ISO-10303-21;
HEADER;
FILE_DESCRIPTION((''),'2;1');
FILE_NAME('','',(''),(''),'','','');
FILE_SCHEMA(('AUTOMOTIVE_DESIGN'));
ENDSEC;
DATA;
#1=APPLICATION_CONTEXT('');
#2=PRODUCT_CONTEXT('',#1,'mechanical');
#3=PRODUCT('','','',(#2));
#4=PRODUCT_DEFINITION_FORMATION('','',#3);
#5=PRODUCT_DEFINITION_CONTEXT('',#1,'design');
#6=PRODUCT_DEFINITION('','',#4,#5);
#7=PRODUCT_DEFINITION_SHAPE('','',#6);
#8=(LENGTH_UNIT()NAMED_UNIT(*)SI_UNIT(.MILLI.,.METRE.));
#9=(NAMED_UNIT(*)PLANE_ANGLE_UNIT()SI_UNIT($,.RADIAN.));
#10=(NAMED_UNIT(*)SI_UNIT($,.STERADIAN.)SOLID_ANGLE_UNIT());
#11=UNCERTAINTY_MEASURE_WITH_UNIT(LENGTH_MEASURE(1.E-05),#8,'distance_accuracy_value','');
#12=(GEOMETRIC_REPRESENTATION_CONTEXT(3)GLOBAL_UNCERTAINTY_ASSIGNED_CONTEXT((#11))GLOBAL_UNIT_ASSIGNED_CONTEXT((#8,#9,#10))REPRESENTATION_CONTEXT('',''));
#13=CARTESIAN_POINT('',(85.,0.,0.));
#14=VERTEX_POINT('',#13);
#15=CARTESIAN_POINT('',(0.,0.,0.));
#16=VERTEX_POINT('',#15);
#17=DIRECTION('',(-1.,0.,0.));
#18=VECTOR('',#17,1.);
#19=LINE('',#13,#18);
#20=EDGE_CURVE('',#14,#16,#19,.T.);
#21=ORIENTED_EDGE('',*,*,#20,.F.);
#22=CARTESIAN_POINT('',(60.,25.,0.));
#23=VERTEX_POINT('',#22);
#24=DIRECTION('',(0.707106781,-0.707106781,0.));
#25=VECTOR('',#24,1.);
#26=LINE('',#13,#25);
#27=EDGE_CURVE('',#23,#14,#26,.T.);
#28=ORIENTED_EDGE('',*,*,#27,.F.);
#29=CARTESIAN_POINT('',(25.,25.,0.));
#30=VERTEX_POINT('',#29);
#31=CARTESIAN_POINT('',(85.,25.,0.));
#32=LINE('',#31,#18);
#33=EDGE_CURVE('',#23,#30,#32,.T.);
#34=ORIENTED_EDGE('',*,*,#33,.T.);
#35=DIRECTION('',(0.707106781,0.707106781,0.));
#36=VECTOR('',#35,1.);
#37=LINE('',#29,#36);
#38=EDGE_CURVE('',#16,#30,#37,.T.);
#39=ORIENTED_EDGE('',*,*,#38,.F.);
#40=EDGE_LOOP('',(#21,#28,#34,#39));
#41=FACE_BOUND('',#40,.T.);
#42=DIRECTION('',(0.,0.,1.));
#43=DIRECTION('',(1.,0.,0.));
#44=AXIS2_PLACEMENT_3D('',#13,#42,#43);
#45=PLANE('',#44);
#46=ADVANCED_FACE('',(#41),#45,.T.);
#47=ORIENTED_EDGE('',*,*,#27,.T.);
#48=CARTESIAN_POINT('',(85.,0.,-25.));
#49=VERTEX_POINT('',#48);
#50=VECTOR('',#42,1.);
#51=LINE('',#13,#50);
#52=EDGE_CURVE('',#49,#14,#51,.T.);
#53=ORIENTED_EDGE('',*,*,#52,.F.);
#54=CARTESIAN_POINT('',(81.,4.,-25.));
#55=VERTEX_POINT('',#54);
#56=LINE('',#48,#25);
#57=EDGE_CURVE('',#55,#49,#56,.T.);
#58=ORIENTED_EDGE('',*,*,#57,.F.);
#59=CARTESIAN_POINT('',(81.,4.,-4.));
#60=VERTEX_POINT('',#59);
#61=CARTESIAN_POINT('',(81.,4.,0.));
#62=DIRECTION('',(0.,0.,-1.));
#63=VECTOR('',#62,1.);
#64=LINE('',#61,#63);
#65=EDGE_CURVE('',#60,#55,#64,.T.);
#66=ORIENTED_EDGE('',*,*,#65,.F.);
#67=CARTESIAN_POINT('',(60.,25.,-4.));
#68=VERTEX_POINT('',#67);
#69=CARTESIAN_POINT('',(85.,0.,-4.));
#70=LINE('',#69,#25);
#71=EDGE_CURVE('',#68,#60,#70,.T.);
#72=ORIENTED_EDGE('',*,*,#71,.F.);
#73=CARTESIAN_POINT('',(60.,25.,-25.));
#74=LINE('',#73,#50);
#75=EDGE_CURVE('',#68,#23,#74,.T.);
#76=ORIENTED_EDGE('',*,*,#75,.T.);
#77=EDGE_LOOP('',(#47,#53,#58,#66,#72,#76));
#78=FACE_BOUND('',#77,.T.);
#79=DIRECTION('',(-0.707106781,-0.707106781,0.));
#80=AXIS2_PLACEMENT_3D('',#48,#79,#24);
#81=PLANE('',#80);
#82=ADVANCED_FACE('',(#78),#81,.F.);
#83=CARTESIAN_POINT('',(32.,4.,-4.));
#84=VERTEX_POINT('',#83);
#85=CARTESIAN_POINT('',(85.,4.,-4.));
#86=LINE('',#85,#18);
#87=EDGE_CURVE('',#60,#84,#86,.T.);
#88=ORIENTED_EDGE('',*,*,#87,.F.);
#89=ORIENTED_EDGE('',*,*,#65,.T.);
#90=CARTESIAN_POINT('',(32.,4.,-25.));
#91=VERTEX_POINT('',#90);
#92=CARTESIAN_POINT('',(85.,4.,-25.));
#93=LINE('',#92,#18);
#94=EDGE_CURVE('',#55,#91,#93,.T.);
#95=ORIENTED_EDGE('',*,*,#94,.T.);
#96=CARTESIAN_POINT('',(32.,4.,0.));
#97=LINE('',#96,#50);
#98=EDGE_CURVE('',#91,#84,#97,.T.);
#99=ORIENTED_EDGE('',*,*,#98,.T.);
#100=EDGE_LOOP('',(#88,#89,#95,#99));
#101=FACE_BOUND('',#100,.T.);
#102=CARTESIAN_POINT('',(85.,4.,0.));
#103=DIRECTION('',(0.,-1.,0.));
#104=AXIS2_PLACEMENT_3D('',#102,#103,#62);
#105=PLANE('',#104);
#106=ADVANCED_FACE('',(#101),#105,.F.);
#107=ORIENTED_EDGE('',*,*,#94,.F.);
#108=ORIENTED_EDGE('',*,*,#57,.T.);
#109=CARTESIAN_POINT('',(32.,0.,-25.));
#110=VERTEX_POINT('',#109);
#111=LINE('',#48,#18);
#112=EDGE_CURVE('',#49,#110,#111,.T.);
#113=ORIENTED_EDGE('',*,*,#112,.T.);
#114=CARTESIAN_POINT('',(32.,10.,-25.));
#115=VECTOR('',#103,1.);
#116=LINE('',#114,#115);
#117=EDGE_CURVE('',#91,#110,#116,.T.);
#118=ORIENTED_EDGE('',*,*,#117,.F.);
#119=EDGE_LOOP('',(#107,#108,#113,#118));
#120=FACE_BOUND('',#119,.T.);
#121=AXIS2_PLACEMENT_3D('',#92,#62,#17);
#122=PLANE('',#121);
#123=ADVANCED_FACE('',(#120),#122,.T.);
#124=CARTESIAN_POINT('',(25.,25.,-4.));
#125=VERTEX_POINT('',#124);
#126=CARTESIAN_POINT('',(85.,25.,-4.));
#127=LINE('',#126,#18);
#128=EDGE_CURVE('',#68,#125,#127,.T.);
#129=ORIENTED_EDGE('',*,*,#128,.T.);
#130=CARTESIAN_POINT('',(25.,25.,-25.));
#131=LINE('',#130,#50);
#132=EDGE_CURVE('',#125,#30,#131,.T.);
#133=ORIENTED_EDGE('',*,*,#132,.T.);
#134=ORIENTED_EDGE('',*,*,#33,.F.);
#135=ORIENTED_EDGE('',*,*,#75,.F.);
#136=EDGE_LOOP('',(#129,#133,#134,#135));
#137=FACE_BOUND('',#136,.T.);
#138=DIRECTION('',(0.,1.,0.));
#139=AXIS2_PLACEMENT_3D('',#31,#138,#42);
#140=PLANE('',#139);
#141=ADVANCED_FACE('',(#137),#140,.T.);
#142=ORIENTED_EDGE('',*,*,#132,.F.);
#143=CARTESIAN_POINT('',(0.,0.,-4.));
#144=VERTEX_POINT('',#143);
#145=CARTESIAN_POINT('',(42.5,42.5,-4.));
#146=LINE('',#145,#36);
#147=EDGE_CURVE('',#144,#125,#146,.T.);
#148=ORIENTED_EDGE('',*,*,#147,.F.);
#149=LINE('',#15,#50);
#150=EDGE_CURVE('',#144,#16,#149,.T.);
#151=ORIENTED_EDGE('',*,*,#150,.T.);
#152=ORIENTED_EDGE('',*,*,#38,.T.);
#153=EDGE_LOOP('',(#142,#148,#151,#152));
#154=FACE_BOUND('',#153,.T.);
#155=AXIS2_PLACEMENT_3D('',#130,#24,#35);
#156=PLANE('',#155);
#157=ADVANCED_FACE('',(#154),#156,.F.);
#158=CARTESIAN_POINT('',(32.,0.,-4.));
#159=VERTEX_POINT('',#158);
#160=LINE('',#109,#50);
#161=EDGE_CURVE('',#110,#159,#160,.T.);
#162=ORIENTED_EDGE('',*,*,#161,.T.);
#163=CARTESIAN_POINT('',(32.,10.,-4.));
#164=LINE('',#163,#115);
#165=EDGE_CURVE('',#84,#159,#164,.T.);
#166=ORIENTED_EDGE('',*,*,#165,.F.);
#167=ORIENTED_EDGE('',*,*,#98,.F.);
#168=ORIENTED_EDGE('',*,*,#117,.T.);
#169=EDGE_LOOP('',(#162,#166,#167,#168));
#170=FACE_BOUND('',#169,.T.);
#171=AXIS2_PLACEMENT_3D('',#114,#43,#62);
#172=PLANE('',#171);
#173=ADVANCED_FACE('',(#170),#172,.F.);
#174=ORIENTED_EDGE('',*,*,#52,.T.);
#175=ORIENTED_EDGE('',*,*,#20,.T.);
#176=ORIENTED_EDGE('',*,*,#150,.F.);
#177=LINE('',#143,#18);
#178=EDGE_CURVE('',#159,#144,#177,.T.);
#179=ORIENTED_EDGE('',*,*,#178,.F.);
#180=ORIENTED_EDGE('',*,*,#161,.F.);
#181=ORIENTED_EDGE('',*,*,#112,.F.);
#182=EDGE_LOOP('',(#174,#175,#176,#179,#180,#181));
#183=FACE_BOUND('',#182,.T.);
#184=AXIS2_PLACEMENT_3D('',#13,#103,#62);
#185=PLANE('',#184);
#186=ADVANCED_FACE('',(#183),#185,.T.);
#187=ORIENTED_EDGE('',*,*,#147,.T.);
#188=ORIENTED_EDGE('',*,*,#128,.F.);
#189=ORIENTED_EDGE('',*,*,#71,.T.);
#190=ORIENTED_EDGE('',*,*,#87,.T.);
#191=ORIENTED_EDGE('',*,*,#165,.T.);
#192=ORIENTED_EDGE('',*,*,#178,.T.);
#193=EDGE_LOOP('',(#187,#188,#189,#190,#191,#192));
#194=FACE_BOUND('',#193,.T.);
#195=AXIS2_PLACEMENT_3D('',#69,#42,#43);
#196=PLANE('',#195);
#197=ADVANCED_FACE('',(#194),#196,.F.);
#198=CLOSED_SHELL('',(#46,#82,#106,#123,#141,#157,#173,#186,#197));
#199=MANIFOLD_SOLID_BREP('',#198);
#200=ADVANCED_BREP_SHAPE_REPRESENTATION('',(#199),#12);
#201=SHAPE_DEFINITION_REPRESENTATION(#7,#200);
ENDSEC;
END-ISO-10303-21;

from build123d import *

# Parameters (mm, degrees)
EXTRUDE_1_DEPTH     = 85
CUT_EXTRUDE_1_DEPTH = 26
SKETCH_3_W          = 32
SKETCH_3_H          = 21
CUT_EXTRUDE_2_DEPTH = 10


with BuildPart() as part:
    # Эскиз1 → Вытянуть-Тонкостенный1 (new body)
    with BuildSketch(Plane(origin=(0, 0, 0), x_dir=(0, 0, -1), z_dir=(1, 0, 0))):
        Polygon((0, 25), (0, 0), (25, 0), (25, 4), (4, 4), (4, 25), align=None)
    extrude(amount=EXTRUDE_1_DEPTH)

    # Эскиз2 → Вырез-Вытянуть1 (cut, through all)
    with BuildSketch(Plane.XY):
        Polygon((0, 0), (0, 25), (25, 25), align=None)
        Polygon((60, 25), (85, 25), (85, 0), align=None)
    extrude(amount=-CUT_EXTRUDE_1_DEPTH, mode=Mode.SUBTRACT)

    # Эскиз3 → Вырез-Вытянуть2 (cut)
    with BuildSketch(Plane.XZ):
        with Locations((16, -14.5)):
            Rectangle(SKETCH_3_W, SKETCH_3_H)
    extrude(amount=-CUT_EXTRUDE_2_DEPTH, mode=Mode.SUBTRACT)


solid = part.part
